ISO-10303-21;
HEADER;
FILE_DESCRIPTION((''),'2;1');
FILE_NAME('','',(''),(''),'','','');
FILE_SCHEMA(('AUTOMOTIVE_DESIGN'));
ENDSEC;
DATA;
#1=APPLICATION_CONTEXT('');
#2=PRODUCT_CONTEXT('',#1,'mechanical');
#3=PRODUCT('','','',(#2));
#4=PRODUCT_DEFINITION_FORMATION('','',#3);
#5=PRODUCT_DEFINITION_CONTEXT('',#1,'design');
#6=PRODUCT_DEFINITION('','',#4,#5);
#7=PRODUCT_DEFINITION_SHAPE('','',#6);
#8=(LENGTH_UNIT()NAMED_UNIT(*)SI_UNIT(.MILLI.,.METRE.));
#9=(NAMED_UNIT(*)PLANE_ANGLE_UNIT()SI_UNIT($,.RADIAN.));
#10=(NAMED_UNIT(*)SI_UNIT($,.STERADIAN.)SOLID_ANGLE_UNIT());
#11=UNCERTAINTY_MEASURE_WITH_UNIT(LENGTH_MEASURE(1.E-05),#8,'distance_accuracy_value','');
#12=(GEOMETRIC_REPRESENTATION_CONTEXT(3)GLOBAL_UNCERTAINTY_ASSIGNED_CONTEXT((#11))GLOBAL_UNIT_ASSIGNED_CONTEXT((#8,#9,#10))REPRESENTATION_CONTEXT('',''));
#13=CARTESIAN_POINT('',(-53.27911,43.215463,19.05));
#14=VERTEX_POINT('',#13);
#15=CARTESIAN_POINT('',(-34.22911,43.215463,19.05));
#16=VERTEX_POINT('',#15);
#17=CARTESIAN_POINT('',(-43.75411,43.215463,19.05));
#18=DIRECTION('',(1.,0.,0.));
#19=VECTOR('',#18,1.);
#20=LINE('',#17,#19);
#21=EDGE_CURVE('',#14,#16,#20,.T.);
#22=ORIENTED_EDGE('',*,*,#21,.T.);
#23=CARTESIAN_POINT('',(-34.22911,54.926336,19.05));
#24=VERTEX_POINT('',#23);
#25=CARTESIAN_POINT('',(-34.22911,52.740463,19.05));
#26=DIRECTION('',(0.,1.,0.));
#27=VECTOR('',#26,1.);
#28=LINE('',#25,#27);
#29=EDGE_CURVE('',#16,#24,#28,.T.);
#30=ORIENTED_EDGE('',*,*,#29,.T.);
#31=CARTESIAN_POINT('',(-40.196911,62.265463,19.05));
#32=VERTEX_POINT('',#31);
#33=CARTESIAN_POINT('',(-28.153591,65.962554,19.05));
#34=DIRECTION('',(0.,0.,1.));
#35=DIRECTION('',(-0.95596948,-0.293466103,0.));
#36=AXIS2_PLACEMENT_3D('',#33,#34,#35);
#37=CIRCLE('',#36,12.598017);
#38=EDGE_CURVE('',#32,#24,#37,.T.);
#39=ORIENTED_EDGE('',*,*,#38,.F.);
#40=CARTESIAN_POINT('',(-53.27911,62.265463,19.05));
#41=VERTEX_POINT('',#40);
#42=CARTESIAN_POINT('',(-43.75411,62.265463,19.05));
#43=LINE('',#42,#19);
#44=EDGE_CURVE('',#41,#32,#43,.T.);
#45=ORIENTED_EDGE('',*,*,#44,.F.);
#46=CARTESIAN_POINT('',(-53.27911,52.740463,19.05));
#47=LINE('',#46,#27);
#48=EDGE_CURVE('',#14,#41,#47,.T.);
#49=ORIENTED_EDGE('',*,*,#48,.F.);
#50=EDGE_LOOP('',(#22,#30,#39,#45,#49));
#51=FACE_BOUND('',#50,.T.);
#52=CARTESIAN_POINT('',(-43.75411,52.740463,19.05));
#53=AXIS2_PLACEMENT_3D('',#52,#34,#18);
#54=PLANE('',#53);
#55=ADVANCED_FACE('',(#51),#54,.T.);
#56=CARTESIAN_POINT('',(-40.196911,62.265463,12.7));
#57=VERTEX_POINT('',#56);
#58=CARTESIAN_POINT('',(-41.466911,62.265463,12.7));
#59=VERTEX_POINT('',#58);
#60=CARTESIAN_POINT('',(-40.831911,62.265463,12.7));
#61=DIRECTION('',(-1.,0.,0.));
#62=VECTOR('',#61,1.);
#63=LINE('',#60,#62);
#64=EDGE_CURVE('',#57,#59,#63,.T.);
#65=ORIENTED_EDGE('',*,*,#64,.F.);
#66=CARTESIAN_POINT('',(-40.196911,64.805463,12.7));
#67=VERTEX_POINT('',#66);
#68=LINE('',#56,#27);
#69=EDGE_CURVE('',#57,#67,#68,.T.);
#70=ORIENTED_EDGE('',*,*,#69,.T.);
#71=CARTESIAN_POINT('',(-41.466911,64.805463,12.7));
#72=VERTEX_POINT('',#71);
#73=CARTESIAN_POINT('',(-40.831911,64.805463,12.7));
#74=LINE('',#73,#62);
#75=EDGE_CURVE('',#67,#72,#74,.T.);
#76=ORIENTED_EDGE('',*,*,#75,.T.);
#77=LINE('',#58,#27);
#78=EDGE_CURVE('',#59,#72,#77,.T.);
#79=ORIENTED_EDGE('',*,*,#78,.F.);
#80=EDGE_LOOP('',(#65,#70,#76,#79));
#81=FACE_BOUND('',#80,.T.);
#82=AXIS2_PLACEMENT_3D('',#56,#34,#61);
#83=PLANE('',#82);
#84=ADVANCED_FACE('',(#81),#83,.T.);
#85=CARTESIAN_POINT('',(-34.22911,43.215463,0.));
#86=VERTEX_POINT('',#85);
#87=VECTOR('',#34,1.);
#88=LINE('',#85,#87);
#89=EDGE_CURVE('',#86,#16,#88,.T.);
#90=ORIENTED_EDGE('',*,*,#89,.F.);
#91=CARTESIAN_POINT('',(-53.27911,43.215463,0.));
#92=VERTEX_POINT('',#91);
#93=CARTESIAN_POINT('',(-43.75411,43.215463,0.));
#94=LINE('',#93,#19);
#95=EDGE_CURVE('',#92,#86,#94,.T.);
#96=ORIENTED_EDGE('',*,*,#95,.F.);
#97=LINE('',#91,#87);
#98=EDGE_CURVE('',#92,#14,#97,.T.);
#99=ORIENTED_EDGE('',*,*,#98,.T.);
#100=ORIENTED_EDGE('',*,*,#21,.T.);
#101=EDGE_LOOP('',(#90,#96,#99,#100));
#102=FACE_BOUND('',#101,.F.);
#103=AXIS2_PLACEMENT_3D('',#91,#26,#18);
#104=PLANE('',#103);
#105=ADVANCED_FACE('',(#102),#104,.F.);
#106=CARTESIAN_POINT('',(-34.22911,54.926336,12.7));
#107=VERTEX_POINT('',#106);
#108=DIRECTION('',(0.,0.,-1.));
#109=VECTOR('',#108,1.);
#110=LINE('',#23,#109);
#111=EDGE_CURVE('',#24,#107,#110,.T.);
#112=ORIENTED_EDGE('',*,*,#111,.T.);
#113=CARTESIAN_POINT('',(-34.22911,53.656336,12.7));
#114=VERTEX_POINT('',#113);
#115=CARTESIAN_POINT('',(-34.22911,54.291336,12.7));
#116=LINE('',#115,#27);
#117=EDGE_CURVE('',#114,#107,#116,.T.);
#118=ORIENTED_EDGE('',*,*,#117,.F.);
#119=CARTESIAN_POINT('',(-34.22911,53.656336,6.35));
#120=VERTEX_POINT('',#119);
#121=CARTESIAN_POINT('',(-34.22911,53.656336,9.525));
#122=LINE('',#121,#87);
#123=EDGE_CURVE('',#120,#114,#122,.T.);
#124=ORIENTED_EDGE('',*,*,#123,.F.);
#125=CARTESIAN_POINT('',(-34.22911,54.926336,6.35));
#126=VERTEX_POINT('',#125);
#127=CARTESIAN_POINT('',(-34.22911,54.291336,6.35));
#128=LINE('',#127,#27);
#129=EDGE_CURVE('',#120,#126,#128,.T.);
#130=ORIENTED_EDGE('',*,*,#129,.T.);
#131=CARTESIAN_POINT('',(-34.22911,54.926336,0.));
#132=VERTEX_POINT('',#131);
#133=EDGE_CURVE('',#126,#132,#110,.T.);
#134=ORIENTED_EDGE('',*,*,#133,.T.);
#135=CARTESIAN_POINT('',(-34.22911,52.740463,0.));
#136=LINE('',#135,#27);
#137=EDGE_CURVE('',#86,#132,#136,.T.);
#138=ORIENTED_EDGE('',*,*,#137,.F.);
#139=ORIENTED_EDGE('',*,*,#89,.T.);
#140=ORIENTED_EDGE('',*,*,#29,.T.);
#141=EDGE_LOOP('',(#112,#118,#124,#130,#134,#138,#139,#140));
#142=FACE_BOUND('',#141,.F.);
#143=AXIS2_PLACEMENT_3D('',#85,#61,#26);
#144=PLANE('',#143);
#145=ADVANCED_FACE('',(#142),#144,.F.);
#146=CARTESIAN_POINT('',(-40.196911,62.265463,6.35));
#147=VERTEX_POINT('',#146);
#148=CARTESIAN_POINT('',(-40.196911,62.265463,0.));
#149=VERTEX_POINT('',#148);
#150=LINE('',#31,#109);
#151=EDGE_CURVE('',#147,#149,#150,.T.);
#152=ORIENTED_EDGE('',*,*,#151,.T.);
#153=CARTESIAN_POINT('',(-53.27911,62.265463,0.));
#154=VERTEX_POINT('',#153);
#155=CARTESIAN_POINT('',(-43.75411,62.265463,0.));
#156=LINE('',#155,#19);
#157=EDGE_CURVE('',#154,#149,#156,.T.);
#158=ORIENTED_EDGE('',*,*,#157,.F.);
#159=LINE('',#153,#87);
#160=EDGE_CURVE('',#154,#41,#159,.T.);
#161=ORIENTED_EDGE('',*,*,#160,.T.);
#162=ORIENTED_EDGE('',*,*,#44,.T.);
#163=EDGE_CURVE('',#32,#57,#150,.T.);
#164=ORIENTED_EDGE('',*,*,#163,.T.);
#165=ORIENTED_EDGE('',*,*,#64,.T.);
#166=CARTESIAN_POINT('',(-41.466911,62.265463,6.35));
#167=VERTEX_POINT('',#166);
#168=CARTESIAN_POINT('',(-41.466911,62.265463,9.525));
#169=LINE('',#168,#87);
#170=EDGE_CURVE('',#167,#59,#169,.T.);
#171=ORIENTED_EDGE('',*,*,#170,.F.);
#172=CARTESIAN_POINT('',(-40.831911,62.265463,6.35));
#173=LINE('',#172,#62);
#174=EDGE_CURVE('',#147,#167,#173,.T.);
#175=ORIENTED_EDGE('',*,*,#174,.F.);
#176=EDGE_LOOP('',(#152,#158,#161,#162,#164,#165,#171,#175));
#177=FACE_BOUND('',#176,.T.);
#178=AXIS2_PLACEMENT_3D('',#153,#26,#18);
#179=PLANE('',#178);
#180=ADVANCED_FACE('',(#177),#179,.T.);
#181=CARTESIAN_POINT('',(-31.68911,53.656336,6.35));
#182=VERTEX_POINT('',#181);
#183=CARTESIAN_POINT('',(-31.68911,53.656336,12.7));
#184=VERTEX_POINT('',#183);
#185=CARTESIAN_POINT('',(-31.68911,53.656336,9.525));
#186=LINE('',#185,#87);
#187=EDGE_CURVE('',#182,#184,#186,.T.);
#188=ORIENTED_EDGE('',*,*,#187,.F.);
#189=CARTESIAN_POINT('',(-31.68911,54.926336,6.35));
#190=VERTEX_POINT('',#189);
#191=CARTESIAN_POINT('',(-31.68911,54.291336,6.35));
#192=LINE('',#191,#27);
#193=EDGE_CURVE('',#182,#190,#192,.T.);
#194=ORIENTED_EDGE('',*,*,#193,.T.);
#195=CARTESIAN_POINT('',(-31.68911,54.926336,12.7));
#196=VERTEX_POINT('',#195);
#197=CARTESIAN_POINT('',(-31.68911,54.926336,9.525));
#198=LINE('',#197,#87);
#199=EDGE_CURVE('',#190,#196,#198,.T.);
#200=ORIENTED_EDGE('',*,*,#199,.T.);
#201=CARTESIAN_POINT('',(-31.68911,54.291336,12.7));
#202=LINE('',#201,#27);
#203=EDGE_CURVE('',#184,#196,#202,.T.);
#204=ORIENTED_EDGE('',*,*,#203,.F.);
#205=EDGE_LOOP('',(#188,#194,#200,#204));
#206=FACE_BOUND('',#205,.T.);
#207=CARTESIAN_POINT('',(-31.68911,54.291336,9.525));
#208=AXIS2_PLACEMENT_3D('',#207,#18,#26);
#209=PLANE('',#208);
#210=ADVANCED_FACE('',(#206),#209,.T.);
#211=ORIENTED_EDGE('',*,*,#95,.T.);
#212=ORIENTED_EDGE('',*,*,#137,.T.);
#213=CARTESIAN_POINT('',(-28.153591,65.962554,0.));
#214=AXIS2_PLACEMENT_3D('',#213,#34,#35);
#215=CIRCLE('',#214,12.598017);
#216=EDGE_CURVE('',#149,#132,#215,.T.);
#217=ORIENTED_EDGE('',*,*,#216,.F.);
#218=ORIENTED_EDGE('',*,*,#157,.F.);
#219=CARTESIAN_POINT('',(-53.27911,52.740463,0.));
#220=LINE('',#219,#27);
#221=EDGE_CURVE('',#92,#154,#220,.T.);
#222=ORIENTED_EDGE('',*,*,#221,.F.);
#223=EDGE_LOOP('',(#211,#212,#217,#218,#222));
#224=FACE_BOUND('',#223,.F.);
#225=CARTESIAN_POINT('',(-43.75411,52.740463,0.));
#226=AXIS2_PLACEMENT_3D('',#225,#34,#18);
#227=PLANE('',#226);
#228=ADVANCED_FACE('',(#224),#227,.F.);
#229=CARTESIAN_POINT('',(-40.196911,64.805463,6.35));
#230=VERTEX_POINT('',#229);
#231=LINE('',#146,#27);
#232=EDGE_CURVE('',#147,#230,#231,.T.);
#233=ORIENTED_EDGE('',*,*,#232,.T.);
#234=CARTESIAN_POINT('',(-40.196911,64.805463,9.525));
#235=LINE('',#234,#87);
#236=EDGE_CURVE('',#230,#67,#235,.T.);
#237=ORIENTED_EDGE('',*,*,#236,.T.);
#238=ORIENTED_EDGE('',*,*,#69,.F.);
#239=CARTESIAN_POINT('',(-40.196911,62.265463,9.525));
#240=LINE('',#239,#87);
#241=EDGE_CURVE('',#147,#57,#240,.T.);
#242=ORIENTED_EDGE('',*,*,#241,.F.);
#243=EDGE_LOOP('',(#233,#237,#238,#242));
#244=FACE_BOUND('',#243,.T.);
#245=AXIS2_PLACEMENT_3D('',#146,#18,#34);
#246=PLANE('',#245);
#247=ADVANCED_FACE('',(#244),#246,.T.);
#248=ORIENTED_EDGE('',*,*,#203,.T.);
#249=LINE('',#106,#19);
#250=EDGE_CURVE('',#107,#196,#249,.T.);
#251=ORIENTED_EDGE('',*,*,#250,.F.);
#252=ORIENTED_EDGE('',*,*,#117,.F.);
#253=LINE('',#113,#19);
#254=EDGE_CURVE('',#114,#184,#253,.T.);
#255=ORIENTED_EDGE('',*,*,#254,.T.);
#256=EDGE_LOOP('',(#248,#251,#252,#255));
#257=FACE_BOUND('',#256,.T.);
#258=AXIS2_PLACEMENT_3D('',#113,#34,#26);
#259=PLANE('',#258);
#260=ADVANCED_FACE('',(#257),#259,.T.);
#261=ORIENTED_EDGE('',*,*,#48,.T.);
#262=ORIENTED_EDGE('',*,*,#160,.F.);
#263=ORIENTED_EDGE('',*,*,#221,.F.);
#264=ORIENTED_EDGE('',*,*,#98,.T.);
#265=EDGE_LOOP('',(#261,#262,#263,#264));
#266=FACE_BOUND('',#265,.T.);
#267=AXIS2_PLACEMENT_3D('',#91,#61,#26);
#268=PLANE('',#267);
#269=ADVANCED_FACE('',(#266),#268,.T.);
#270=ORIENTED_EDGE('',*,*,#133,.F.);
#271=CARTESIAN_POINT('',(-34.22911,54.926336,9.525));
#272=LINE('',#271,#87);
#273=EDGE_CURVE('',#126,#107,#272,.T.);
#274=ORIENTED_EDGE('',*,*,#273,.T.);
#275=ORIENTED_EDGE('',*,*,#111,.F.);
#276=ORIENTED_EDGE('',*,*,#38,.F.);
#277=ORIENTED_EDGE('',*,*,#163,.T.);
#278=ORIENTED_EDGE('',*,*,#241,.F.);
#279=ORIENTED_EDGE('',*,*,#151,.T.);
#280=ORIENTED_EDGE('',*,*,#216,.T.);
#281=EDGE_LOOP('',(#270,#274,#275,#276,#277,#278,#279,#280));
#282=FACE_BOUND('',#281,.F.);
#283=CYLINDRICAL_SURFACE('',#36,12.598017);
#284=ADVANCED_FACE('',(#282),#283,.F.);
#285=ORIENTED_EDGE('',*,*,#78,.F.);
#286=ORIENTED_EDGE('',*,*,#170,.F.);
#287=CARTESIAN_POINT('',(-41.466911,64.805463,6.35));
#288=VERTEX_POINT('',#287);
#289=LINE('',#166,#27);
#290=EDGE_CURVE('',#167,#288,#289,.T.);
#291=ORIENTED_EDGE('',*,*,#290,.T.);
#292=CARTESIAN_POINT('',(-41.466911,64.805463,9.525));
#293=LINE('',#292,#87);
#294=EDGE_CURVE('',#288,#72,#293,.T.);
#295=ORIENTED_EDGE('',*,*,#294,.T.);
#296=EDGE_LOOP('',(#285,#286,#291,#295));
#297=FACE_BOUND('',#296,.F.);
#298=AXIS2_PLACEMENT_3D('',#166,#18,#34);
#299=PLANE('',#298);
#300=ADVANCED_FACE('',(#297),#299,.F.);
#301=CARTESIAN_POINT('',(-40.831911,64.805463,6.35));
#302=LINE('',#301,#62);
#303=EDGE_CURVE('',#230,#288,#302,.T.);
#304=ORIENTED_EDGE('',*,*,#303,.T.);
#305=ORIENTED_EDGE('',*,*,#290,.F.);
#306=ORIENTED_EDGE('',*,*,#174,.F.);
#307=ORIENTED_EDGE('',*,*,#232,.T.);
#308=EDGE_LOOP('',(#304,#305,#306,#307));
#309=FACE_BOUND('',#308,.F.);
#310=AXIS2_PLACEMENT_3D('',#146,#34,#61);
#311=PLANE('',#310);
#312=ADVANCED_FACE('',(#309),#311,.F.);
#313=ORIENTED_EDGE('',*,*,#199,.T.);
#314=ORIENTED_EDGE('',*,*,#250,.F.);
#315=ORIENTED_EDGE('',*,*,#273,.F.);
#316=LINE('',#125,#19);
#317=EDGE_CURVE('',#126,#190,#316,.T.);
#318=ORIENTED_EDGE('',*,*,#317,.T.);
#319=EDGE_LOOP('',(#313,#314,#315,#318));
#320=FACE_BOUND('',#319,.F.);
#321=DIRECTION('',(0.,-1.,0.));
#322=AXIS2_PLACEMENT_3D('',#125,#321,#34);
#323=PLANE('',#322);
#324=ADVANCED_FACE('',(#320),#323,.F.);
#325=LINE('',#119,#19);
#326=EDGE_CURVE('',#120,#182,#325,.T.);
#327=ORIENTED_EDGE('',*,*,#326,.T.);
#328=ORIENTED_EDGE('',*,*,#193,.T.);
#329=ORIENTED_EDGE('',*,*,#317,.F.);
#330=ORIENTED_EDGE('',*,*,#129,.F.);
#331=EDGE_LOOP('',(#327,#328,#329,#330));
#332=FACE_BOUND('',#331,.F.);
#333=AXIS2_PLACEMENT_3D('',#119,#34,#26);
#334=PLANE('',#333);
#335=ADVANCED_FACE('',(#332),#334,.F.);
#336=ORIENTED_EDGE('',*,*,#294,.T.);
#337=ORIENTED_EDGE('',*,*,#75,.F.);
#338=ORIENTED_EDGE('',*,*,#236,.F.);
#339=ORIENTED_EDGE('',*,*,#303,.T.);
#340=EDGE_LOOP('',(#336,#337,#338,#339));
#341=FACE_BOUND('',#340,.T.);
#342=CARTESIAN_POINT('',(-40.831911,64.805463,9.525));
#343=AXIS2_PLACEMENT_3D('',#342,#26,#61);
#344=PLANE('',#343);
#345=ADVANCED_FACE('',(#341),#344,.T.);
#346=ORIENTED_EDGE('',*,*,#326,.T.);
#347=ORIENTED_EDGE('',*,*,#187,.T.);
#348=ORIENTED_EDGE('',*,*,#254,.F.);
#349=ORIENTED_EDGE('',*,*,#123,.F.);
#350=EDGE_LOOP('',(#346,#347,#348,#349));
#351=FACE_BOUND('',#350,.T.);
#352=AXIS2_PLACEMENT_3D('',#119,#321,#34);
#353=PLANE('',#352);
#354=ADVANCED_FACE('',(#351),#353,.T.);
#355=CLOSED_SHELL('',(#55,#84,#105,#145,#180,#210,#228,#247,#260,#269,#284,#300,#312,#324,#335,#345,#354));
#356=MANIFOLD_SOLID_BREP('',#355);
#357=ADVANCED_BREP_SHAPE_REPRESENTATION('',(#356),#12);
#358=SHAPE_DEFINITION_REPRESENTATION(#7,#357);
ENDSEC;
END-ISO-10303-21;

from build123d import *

# Parameters (mm, degrees)
F0_W     = 19.05
F0_H     = 19.05
F1_DEPTH = 19.05
F3_DEPTH = 25.4
F4_W     = 1.27
F4_H     = 6.35
F5_DEPTH = 2.54
F6_W     = 1.27
F6_H     = 6.35
F7_DEPTH = 2.54


with BuildPart() as f1:
    # F0 (on Top) → F1 (new body)
    with BuildSketch(Plane.XY):
        with Locations((-43.75411, 52.740463)):
            Rectangle(F0_W, F0_H)
    extrude(amount=F1_DEPTH)

    # F2 (on face) → F3 (cut)
    with BuildSketch(Plane.XY.offset(19.05)):
        with BuildLine():
            Line((-34.22911, 62.265463), (-40.196911, 62.265463))
            ThreePointArc((-40.196911, 62.265463), (-37.927985, 58.014519), (-34.22911, 54.926336))
            Line((-34.22911, 54.926336), (-34.22911, 62.265463))
        make_face()
    extrude(amount=-F3_DEPTH, mode=Mode.SUBTRACT)

    # F4 (on face) → F5 (join)
    with BuildSketch(Plane.YZ.offset(-34.22911)):
        with Locations((54.291336, 9.525)):
            Rectangle(F4_W, F4_H)
    extrude(amount=F5_DEPTH)

    # F6 (on face) → F7 (join)
    with BuildSketch(Plane(origin=(0, 62.265463, 0), x_dir=(-1, 0, 0), z_dir=(0, 1, 0))):
        with Locations((40.831911, 9.525)):
            Rectangle(F6_W, F6_H)
    extrude(amount=F7_DEPTH)


solid = f1.part
